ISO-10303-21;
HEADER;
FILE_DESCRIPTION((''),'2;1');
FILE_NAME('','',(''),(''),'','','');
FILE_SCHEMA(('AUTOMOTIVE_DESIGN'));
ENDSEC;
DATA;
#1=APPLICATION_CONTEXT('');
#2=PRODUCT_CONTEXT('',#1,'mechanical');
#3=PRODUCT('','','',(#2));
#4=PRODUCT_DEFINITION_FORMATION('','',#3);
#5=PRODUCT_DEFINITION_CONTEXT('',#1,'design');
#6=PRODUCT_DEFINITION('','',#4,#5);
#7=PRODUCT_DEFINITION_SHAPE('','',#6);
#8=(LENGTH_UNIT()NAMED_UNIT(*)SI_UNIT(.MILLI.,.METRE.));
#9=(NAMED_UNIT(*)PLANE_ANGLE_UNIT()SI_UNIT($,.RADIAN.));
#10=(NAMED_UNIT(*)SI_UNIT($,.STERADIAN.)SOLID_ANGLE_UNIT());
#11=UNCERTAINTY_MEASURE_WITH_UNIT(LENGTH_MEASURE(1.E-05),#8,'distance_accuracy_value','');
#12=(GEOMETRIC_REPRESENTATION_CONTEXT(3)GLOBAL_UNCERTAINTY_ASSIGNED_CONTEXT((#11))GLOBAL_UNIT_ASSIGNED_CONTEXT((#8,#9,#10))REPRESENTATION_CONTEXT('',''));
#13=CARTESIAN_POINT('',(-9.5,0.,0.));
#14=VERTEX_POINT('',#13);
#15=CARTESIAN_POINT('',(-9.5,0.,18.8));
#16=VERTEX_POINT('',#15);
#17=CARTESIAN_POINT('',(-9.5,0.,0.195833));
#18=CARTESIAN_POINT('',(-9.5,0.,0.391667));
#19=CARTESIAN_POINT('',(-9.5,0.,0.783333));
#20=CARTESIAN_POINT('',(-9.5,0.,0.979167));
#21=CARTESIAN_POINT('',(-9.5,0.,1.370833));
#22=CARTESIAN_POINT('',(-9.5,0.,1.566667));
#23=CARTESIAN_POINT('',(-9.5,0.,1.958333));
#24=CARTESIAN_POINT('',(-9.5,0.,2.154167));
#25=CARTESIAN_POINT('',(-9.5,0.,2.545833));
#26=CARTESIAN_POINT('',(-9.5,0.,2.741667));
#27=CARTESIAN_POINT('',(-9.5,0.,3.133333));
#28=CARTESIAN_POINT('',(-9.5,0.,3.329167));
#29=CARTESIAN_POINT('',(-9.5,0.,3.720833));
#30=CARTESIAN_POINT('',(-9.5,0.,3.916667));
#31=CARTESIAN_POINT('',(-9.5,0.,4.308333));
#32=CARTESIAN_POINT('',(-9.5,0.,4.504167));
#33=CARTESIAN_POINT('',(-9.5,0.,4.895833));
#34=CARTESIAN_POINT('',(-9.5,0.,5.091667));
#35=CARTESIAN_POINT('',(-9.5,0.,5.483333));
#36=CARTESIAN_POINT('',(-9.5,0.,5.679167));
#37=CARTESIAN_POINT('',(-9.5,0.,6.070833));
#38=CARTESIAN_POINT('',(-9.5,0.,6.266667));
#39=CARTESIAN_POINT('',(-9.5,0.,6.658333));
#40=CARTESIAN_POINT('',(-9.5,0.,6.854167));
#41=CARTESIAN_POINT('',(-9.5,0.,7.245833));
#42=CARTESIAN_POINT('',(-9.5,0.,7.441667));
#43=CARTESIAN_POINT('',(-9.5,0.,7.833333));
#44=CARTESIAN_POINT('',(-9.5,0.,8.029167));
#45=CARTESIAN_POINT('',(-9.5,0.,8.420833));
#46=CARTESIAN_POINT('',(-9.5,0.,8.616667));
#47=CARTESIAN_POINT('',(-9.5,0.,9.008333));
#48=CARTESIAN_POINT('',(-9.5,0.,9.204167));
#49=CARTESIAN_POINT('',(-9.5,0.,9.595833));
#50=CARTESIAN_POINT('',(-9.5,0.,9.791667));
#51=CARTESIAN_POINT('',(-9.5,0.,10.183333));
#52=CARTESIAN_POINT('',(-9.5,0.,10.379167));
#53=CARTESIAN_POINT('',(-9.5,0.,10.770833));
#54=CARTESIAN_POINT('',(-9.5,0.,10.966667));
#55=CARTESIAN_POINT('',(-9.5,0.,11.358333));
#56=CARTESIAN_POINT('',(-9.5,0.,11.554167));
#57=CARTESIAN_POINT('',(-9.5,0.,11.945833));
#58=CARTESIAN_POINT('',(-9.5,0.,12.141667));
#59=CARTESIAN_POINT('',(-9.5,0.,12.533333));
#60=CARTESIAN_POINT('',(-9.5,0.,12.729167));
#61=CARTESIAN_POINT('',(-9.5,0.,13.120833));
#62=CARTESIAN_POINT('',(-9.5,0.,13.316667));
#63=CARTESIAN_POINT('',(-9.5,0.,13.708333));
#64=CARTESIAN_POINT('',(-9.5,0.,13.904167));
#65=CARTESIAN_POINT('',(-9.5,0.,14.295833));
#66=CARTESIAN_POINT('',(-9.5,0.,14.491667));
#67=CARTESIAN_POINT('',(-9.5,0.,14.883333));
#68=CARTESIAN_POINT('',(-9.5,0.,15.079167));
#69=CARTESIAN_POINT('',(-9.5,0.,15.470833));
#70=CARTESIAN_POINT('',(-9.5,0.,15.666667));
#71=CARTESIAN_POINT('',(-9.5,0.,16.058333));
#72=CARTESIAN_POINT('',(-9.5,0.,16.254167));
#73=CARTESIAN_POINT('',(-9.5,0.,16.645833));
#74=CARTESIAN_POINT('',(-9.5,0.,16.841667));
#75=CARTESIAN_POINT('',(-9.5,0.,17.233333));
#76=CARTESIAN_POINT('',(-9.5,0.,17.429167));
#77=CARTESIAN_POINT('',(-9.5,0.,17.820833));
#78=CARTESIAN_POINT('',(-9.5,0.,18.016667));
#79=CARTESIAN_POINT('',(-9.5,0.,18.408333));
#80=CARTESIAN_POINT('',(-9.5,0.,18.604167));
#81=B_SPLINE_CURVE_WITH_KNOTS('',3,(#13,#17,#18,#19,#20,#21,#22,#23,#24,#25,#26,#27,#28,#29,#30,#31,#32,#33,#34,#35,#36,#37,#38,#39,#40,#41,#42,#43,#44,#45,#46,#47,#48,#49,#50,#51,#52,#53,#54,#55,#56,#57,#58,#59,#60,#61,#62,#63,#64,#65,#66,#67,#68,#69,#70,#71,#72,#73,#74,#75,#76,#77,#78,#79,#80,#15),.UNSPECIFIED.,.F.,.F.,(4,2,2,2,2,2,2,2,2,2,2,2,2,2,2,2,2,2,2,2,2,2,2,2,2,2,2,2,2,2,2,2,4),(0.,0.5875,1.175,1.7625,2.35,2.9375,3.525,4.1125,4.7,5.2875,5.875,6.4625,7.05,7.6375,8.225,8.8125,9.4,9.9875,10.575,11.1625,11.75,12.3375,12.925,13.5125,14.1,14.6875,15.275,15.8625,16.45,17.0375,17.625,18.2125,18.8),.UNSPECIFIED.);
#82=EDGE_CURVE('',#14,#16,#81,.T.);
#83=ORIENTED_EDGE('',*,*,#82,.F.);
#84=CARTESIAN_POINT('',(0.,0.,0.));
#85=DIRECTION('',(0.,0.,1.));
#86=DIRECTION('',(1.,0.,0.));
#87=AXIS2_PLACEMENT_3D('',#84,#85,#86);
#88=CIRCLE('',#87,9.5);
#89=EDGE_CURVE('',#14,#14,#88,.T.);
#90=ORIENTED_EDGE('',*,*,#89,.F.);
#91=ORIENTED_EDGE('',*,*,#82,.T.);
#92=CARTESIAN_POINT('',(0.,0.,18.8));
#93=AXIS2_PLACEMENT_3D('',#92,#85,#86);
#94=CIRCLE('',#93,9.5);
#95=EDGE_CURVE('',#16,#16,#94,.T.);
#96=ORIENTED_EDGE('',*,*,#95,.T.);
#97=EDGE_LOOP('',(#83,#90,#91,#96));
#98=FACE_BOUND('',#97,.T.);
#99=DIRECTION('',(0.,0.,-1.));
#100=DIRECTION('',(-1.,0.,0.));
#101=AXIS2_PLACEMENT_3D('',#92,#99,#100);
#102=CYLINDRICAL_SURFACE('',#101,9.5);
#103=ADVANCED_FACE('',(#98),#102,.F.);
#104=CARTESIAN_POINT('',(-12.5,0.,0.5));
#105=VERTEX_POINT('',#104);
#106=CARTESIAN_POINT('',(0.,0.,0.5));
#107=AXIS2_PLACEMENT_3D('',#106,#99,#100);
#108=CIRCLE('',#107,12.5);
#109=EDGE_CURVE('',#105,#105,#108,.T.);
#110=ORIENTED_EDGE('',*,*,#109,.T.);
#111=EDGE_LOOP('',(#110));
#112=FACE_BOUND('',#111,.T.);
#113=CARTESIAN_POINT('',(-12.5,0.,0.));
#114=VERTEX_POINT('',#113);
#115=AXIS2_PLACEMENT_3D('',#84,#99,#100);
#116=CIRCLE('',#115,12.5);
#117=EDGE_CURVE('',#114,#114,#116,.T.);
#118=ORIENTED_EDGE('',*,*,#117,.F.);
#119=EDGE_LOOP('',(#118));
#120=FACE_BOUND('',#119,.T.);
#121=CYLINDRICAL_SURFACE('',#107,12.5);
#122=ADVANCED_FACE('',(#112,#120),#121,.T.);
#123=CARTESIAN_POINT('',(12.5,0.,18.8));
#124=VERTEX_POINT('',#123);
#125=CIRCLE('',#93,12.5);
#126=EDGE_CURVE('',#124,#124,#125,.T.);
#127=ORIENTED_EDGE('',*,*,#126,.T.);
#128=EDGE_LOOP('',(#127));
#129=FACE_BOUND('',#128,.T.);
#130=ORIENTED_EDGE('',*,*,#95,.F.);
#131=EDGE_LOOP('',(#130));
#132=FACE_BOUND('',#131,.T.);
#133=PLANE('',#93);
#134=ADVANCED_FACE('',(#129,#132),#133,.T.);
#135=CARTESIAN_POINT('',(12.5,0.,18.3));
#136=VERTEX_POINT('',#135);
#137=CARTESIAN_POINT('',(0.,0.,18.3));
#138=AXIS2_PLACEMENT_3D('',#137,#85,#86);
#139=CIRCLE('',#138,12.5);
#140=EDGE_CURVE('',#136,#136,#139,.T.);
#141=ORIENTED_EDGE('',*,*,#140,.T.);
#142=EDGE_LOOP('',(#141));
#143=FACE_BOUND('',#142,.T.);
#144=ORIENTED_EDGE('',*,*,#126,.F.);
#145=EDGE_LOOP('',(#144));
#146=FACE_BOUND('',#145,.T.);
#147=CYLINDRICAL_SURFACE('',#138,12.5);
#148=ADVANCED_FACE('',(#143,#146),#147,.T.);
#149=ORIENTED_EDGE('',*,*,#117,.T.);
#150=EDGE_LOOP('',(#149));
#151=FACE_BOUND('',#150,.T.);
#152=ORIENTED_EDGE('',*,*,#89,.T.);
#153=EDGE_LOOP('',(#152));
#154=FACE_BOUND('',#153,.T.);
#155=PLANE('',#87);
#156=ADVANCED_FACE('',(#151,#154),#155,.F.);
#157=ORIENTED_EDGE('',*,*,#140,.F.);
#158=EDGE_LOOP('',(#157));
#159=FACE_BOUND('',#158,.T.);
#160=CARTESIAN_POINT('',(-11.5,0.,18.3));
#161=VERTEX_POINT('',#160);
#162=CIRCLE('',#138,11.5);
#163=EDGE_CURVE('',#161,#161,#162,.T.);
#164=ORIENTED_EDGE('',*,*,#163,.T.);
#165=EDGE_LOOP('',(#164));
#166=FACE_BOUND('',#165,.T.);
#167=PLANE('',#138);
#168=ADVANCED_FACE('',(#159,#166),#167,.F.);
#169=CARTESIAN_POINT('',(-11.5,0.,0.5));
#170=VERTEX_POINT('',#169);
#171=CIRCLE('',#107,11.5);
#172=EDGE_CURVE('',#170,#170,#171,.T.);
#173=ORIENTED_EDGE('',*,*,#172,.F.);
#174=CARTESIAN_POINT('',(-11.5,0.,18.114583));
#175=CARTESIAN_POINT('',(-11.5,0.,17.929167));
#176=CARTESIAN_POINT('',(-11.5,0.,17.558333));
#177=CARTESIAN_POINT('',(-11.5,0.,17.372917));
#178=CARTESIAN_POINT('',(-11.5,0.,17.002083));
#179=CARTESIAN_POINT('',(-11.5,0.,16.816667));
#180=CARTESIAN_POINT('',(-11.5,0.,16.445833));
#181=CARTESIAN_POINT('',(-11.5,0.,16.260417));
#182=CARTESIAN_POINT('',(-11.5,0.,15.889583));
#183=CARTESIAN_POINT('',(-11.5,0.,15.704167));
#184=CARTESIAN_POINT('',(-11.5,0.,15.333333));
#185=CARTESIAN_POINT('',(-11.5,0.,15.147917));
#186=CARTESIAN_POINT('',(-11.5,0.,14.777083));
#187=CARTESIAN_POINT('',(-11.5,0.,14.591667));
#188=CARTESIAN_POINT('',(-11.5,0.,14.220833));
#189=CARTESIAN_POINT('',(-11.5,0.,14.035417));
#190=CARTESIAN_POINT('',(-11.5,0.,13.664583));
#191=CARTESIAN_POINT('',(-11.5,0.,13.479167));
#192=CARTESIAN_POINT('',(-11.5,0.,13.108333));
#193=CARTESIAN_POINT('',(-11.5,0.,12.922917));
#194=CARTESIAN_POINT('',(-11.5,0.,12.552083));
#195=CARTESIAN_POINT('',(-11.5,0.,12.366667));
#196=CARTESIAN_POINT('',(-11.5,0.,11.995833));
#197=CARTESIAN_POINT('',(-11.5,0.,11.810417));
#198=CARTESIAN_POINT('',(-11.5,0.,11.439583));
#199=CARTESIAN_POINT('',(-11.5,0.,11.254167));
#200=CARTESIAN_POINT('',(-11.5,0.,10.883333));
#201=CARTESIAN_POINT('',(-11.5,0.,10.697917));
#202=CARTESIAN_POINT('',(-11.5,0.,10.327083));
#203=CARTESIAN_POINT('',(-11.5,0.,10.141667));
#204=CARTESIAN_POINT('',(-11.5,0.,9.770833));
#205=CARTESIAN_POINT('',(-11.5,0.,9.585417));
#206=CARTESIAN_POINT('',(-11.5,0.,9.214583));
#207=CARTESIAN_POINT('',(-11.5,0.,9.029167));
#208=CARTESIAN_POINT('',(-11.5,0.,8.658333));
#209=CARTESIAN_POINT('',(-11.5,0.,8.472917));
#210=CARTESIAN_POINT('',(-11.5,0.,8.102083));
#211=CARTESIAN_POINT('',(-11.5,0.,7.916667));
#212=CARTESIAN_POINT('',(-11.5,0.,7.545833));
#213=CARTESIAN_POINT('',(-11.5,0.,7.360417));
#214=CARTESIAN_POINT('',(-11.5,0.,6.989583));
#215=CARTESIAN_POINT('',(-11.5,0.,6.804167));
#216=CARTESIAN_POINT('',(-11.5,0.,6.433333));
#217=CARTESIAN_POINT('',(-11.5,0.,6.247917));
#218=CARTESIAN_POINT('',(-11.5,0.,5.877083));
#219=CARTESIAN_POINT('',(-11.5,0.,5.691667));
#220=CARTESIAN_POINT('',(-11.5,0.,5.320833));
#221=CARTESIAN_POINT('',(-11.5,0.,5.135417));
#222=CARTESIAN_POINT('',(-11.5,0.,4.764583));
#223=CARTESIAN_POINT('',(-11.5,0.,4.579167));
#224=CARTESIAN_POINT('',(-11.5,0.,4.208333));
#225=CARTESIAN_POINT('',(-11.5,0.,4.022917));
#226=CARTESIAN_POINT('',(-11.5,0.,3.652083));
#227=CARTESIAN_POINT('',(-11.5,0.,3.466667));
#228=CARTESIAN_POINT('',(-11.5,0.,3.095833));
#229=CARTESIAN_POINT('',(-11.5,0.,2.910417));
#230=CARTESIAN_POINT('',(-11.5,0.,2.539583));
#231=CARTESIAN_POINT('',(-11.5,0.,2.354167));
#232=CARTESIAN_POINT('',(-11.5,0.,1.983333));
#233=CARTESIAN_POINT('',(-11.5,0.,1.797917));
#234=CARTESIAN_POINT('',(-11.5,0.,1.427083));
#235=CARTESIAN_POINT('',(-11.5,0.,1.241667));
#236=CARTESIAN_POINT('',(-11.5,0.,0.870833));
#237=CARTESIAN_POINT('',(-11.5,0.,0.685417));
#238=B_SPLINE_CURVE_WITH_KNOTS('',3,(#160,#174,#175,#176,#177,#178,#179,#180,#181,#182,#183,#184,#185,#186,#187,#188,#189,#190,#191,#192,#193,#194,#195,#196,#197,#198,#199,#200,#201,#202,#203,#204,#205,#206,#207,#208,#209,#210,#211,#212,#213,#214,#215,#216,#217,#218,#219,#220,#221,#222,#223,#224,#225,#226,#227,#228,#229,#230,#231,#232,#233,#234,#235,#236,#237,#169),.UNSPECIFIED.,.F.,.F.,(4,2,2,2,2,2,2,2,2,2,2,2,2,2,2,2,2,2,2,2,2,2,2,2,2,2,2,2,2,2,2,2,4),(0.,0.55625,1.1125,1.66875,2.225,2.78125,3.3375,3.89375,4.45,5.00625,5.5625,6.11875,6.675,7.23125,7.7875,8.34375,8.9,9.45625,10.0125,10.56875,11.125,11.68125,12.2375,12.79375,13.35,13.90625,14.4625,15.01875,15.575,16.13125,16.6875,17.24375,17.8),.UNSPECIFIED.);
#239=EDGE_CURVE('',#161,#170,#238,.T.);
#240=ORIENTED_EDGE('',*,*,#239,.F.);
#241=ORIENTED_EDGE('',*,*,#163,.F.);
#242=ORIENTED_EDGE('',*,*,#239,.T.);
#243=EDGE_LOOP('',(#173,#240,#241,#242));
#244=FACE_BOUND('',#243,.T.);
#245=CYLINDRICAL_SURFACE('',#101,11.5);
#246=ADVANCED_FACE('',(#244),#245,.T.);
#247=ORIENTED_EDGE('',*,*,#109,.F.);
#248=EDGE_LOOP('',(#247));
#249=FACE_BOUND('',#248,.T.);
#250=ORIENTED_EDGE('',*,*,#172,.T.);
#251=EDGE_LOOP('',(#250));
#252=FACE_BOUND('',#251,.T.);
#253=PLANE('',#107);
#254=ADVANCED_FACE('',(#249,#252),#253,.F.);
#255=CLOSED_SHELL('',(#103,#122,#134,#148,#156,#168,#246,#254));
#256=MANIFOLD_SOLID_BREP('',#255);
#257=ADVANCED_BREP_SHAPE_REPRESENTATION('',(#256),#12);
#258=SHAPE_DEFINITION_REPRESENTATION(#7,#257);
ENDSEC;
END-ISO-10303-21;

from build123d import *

# Parameters (mm, degrees)
SKETCH1_R           = 11.5
SKETCH1_R_2         = 9.5
BOSS_EXTRUDE1_DEPTH = 18.8
BOSS_EXTRUDE3_START = -0.5
SKETCH2_R           = 12.5
SKETCH2_R_2         = 11.5
BOSS_EXTRUDE3_DEPTH = 0.5
SKETCH3_R           = 12.5
SKETCH3_R_2         = 11.5
BOSS_EXTRUDE4_DEPTH = 0.5


with BuildPart() as part:
    # Sketch1 → Boss-Extrude1 (new body)
    with BuildSketch(Plane.XY):
        with Locations(Location((0, 0, 0), (0, 0, 180))):
            Circle(SKETCH1_R)
        with Locations(Location((0, 0, 0), (0, 0, 180))):
            Circle(SKETCH1_R_2, mode=Mode.SUBTRACT)
    extrude(amount=BOSS_EXTRUDE1_DEPTH)

    # Sketch2 → Boss-Extrude3 (add)
    with BuildSketch(Plane.XY.offset(18.8).offset(BOSS_EXTRUDE3_START)):
        Circle(SKETCH2_R)
        with Locations(Location((0, 0, 0), (0, 0, 180))):
            Circle(SKETCH2_R_2, mode=Mode.SUBTRACT)
    extrude(amount=BOSS_EXTRUDE3_DEPTH)

    # Sketch3 → Boss-Extrude4 (add)
    with BuildSketch(Plane(origin=(0, 0, 0), x_dir=(-1, 0, 0), z_dir=(0, 0, -1))):
        with Locations(Location((0, 0, 0), (0, 0, 180))):
            Circle(SKETCH3_R)
        Circle(SKETCH3_R_2, mode=Mode.SUBTRACT)
    extrude(amount=-BOSS_EXTRUDE4_DEPTH)


solid = part.part
